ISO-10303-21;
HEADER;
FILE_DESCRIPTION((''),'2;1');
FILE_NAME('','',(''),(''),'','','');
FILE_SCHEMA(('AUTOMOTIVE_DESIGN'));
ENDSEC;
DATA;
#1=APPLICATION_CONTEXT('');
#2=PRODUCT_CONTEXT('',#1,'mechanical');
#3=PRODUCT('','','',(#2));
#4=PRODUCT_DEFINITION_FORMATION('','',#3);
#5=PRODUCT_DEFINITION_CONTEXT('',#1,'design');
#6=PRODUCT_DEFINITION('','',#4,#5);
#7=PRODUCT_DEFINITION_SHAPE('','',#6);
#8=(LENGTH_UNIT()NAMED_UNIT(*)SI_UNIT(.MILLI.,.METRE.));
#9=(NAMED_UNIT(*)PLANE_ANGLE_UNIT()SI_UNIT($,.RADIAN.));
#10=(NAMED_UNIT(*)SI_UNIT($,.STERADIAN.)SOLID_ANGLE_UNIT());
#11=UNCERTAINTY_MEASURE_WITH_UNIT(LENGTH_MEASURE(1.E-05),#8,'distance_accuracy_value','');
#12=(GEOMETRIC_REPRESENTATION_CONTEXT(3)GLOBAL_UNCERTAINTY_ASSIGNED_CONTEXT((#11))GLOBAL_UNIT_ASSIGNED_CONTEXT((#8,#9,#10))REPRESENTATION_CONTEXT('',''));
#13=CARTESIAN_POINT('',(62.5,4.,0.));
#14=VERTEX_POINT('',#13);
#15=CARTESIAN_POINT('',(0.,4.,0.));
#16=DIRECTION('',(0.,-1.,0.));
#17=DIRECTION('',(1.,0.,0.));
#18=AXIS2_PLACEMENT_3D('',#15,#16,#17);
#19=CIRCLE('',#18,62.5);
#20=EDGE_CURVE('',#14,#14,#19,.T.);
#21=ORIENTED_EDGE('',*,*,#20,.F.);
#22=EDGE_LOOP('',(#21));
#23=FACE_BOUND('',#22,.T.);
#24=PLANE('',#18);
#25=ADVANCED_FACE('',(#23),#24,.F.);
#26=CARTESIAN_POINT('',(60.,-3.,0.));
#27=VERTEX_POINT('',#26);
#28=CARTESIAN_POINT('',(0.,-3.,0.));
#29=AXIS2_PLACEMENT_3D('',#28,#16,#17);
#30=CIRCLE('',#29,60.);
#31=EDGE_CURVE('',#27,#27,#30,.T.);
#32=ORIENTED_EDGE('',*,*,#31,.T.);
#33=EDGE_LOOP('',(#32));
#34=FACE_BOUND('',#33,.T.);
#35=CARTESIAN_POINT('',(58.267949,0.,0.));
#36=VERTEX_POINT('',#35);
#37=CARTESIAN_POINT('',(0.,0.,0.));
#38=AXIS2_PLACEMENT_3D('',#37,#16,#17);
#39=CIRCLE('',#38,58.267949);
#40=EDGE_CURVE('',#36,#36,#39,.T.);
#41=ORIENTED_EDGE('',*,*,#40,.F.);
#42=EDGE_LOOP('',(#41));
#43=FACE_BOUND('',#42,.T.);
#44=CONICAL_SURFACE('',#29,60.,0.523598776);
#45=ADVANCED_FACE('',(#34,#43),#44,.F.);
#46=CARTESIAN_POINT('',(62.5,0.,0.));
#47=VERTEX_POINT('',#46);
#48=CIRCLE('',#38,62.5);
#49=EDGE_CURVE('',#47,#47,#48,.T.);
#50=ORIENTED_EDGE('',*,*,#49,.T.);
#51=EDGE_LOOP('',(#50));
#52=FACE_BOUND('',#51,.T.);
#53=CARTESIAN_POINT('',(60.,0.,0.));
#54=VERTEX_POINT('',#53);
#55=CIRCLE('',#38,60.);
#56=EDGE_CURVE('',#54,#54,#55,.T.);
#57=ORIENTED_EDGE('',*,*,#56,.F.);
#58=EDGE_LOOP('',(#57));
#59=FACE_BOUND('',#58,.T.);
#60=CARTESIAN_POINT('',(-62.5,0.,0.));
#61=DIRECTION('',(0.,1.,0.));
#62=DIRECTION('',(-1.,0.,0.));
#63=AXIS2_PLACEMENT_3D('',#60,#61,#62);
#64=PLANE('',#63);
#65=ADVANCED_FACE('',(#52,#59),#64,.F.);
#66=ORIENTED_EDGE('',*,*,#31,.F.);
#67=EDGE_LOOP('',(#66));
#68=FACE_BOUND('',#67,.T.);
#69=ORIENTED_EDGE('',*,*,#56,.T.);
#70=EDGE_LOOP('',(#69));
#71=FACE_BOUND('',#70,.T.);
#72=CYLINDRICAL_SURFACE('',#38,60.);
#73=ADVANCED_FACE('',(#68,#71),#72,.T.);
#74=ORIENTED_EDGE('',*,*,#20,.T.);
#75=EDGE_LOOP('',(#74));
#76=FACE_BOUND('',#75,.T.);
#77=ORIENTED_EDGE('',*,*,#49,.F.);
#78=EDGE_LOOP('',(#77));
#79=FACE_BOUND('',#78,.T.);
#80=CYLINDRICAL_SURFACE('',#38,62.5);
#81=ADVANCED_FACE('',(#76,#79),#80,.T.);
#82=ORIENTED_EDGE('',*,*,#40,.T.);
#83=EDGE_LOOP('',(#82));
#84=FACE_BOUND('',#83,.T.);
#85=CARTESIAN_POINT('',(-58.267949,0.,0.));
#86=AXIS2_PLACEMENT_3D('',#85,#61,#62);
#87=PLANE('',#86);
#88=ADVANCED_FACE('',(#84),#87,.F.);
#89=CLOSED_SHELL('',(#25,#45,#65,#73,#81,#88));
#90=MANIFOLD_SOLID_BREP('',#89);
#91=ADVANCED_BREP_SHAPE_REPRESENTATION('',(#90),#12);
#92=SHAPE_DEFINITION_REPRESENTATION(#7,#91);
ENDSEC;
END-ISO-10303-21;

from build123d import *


with BuildPart() as part:
    # Sketch1 → Revolve1 (revolve)
    with BuildSketch(Plane.XY):
        Polygon((0, 0), (0, 4), (-62.5, 4), (-62.5, 0), (-60, 0), (-60, -3), (-58.267949192, 0), align=None)
    revolve(axis=Axis((0, 0, 0), (0, 1, 0)))


solid = part.part
